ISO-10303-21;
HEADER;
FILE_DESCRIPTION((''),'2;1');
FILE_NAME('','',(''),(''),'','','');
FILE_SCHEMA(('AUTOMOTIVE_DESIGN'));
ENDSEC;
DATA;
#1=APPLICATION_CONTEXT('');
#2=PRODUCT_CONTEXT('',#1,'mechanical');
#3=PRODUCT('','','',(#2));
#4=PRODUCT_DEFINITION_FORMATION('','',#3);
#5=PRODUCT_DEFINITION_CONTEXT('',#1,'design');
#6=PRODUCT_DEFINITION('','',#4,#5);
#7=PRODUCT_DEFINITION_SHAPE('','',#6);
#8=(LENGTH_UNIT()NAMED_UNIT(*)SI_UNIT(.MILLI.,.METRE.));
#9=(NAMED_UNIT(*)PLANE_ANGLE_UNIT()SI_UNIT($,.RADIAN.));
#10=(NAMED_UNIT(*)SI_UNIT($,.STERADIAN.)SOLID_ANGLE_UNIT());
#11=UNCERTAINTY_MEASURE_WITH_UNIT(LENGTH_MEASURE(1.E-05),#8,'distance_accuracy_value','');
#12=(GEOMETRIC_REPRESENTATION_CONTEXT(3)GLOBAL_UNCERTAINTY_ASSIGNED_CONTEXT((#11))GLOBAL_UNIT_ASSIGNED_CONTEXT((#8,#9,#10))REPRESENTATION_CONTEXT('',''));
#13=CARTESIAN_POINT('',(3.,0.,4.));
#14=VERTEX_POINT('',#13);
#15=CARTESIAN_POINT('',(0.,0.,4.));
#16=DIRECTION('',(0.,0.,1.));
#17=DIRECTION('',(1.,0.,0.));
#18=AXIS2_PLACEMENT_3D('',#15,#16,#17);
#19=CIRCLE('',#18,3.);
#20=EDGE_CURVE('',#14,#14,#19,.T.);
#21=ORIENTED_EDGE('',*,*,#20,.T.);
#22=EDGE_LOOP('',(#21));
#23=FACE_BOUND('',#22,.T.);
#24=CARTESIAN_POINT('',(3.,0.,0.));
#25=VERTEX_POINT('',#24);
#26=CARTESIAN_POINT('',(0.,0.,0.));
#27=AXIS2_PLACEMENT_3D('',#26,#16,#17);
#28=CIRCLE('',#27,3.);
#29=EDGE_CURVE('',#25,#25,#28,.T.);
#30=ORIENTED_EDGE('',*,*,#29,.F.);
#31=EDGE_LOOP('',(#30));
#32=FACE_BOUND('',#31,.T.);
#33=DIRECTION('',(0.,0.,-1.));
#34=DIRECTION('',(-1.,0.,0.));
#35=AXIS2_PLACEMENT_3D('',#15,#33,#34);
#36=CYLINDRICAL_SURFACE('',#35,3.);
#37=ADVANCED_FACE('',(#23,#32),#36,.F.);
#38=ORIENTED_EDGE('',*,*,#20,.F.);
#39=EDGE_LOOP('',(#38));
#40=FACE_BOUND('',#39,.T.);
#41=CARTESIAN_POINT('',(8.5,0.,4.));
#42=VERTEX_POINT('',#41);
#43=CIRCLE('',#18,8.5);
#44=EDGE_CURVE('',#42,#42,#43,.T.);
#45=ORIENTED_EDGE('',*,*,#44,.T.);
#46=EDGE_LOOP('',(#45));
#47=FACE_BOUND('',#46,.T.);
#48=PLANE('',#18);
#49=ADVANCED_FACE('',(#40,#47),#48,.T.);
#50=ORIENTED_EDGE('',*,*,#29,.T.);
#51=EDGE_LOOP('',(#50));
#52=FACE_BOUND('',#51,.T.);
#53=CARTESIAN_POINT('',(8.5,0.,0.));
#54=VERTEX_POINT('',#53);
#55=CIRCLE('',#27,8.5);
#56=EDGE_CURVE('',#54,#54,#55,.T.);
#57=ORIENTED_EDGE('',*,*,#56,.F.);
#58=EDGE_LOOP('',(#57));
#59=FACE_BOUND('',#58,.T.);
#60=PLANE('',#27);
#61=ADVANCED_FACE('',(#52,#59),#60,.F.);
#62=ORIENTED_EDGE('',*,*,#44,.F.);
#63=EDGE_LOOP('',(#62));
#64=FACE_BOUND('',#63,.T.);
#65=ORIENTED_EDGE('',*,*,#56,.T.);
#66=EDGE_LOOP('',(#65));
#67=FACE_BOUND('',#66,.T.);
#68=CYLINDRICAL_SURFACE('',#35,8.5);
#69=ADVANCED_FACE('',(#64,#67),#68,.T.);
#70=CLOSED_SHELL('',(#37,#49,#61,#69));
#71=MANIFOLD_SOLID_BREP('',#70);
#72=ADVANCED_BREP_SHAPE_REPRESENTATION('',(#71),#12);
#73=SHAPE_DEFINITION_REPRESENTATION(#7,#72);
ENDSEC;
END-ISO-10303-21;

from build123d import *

# Parameters (mm, degrees)
SKETCH1_R           = 8.5
SKETCH1_R_2         = 3
BOSS_EXTRUDE1_DEPTH = 4


with BuildPart() as part:
    # Sketch1 → Boss-Extrude1 (new body)
    with BuildSketch(Plane.XY):
        Circle(SKETCH1_R)
        Circle(SKETCH1_R_2, mode=Mode.SUBTRACT)
    extrude(amount=BOSS_EXTRUDE1_DEPTH)


solid = part.part
